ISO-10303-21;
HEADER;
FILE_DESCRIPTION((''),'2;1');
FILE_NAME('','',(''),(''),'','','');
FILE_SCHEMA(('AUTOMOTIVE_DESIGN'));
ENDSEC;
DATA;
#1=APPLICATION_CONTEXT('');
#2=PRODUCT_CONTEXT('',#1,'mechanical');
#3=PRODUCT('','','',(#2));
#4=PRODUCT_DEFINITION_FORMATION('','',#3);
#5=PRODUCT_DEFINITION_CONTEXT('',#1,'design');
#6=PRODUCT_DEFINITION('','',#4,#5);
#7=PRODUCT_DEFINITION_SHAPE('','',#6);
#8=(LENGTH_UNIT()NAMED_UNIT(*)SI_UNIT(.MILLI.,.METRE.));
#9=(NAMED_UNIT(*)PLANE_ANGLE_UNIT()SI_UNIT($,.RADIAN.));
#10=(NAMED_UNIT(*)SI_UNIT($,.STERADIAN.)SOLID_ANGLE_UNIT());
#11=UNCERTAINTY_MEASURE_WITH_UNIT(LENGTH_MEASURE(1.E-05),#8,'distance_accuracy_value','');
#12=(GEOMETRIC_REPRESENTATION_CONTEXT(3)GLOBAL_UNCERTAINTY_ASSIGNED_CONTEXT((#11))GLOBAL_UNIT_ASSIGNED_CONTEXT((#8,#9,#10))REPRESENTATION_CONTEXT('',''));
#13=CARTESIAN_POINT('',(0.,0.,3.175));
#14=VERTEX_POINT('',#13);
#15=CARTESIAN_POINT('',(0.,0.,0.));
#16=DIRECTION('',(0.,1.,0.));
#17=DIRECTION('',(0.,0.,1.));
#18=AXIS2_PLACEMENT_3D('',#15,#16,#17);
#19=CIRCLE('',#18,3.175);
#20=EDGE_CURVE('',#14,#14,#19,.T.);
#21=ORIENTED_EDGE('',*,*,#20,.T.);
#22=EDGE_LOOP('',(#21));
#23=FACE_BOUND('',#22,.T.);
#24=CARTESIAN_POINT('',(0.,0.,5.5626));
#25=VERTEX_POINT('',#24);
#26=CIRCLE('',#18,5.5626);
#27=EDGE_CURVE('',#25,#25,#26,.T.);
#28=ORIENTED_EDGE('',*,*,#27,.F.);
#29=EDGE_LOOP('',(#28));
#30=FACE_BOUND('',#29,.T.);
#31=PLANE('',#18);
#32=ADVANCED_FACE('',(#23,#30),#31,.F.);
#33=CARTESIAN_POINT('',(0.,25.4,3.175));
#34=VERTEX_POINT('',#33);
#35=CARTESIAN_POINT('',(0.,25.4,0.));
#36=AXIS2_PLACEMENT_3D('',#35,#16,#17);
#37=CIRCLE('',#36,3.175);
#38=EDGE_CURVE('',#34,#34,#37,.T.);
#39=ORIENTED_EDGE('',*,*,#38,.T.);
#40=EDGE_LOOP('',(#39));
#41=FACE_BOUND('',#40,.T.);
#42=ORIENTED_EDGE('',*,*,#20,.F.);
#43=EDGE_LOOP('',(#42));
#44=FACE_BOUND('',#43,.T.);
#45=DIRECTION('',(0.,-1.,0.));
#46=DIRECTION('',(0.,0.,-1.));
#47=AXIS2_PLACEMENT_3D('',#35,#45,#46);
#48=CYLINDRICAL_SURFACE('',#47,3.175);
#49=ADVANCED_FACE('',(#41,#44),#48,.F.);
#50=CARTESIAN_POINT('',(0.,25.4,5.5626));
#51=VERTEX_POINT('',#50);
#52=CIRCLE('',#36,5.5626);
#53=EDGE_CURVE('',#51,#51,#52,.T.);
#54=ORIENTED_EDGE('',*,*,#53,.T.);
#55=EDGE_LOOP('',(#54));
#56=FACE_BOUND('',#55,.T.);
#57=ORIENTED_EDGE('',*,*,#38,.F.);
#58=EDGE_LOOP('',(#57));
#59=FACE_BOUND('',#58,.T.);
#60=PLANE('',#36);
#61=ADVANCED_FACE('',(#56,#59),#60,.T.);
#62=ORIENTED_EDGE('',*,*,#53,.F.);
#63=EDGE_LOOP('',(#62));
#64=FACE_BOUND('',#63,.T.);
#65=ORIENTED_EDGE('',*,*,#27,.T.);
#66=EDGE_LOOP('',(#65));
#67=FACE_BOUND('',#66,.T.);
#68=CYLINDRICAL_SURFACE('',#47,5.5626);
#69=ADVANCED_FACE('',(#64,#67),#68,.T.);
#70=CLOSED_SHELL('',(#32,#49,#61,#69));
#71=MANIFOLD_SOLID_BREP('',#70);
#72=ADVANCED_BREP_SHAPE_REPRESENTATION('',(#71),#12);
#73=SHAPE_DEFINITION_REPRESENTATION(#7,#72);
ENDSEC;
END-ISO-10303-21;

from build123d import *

# Parameters (mm, degrees)
SKETCH1_R           = 5.5626
SKETCH1_R_2         = 3.175
BOSS_EXTRUDE1_DEPTH = 25.4


with BuildPart() as part:
    # Sketch1 → Boss-Extrude1 (new body)
    with BuildSketch(Plane(origin=(0, 0, 0), x_dir=(1, 0, 0), z_dir=(0, 1, 0))):
        with Locations(Location((0, 0, 0), (0, 0, 270))):  # turned: the seam where the file's is
            Circle(SKETCH1_R)
        with Locations(Location((0, 0, 0), (0, 0, 270))):  # turned: the seam where the file's is
            Circle(SKETCH1_R_2, mode=Mode.SUBTRACT)
    extrude(amount=BOSS_EXTRUDE1_DEPTH)


solid = part.part
